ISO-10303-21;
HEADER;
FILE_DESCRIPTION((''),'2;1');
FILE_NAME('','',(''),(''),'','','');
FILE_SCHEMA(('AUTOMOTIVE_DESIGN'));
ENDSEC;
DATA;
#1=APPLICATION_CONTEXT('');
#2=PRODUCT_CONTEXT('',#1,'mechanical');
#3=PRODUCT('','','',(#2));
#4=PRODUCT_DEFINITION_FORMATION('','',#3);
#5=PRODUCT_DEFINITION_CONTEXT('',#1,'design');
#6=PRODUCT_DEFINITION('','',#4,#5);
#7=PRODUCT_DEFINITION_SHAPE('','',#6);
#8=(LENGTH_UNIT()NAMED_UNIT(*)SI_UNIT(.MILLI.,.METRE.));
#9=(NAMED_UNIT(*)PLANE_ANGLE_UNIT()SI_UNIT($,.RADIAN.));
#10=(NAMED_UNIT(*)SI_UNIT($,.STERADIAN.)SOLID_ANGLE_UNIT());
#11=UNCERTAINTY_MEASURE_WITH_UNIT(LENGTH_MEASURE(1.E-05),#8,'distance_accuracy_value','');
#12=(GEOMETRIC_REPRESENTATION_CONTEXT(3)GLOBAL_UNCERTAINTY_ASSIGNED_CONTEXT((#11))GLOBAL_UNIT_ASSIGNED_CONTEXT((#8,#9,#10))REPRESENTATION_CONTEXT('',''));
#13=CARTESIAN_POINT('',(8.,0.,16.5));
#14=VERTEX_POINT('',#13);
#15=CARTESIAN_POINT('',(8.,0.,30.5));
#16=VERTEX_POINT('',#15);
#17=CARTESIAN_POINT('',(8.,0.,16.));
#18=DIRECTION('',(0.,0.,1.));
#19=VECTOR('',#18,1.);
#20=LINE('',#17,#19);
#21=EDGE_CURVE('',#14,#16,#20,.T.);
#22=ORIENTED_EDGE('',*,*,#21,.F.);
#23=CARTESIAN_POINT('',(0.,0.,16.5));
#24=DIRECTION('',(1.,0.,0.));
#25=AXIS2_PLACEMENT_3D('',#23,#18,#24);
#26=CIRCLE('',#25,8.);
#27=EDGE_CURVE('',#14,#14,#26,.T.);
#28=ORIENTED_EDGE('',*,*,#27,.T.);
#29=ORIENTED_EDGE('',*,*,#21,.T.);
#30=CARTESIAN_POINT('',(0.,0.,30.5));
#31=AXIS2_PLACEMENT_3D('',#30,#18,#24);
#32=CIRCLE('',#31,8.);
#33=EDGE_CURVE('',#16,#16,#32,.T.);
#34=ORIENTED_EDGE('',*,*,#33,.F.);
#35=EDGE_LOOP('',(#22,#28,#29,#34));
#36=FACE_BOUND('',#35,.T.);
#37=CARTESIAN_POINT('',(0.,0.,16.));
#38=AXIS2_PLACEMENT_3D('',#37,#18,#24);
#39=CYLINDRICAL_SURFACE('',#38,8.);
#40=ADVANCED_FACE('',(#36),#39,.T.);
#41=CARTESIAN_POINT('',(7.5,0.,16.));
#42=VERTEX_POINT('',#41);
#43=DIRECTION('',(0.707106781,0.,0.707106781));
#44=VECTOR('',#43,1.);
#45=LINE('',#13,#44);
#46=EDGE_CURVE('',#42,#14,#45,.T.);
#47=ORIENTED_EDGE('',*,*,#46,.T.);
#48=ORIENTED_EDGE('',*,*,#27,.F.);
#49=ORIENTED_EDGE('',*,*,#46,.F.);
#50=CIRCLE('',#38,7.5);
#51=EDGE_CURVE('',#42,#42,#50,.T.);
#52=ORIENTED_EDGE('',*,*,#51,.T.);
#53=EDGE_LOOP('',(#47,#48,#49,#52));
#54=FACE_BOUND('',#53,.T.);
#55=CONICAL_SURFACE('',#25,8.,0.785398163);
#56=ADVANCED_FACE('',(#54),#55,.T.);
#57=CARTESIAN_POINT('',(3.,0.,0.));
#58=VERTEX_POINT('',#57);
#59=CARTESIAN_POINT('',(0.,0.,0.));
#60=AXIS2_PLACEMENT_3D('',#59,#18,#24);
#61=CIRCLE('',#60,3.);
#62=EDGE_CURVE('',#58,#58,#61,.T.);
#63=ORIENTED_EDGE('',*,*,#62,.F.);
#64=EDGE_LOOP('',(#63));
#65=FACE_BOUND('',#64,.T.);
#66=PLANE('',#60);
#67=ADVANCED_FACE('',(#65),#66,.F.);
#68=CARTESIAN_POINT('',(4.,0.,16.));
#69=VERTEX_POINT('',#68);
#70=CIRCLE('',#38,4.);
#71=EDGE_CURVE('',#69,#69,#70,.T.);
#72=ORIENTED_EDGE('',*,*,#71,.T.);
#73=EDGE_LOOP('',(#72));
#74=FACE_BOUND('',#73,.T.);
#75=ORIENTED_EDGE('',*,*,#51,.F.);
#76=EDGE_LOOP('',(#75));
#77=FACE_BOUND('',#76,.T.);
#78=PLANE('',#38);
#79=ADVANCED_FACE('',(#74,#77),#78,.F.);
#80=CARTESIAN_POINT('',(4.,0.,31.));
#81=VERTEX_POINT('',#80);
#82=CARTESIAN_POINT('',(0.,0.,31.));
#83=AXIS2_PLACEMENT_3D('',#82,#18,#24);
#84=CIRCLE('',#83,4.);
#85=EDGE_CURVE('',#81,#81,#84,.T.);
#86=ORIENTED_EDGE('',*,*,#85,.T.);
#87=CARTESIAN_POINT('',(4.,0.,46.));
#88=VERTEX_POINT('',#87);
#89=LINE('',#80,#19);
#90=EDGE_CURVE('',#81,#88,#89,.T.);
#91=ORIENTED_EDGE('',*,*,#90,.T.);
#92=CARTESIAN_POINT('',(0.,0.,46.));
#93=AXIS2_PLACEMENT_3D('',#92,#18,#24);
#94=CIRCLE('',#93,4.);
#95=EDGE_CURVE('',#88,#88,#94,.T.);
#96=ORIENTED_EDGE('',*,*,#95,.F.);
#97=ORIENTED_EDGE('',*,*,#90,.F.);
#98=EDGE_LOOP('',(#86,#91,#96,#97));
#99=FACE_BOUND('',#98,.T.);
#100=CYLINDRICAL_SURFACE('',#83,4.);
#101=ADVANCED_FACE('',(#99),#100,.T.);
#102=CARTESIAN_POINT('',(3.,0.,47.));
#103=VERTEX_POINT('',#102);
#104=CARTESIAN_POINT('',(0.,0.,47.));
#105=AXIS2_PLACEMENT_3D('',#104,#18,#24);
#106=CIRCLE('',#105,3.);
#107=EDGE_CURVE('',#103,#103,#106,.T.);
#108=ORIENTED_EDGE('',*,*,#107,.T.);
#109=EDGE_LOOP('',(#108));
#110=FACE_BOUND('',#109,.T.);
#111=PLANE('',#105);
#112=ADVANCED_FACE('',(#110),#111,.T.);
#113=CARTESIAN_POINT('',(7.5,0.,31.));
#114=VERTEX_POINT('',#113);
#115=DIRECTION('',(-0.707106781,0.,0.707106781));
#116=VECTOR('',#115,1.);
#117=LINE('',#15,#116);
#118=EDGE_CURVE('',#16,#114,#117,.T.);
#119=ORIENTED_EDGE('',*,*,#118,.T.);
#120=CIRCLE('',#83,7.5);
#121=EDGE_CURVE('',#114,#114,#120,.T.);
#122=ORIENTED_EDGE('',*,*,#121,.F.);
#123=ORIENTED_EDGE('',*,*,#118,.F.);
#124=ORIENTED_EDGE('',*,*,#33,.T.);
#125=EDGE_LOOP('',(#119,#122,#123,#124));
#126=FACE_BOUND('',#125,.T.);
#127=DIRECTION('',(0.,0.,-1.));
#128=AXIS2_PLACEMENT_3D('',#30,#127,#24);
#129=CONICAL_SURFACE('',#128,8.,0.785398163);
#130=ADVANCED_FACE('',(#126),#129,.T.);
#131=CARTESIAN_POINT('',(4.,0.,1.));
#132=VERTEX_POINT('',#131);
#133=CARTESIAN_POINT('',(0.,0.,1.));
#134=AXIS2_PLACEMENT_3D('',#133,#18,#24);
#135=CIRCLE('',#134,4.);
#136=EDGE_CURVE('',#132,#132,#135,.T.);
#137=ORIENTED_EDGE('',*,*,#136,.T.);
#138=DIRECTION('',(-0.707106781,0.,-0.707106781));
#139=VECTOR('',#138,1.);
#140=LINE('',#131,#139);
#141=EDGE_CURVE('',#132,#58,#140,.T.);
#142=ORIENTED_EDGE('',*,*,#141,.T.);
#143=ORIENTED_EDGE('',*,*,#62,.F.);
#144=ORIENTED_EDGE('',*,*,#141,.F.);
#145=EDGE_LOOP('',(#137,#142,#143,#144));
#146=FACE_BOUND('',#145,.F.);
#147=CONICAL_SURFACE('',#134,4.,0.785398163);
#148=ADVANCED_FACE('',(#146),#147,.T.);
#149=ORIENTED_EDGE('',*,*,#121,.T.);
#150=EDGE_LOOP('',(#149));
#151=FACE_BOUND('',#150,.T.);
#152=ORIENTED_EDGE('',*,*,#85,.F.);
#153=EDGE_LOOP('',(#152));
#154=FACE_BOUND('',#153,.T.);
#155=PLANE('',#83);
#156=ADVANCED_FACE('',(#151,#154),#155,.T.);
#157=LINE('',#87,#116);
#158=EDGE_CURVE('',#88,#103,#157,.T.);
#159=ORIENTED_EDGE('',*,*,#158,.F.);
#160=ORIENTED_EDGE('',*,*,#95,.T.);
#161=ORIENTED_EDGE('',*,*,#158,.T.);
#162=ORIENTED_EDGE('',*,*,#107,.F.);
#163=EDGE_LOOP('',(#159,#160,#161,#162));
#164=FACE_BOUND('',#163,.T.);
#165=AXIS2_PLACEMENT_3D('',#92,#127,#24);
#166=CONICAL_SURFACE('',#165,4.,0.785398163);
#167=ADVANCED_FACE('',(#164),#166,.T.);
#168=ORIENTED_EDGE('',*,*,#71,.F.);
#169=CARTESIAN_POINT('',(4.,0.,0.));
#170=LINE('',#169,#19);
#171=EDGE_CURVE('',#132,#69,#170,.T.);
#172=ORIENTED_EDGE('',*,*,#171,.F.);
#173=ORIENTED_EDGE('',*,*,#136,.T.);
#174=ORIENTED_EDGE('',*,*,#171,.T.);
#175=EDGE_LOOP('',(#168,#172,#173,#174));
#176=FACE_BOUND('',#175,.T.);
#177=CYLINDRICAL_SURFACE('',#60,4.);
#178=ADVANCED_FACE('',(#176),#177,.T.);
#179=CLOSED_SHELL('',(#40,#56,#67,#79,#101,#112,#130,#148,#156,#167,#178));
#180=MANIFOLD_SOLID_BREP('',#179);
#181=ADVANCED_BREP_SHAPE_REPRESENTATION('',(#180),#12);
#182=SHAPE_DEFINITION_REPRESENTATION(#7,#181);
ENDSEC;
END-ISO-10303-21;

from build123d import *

# Parameters (mm, degrees)
F2_SIZE = 0.5
F3_SIZE = 1


with BuildPart() as f1:
    # F0 (on Front) → F1 (revolve)
    with BuildSketch(Plane.XZ):
        Polygon((0, 47), (0, 0), (4, 0), (4, 16), (8, 16), (8, 31), (4, 31), (4, 47), align=None)
    revolve(axis=Axis((0, 0, 23.5), (0, 0, 1)))

    # F2
    f2_edges = [f1.edges().sort_by_distance(p)[0] for p in [
        (-8, 0, 31),
        (-8, 0, 16),
    ]]
    chamfer(f2_edges, length=F2_SIZE)

    # F3
    f3_edges = [f1.edges().sort_by_distance(p)[0] for p in [
        (-4, 0, 47),
        (-4, 0, 0),
    ]]
    chamfer(f3_edges, length=F3_SIZE)


solid = f1.part
